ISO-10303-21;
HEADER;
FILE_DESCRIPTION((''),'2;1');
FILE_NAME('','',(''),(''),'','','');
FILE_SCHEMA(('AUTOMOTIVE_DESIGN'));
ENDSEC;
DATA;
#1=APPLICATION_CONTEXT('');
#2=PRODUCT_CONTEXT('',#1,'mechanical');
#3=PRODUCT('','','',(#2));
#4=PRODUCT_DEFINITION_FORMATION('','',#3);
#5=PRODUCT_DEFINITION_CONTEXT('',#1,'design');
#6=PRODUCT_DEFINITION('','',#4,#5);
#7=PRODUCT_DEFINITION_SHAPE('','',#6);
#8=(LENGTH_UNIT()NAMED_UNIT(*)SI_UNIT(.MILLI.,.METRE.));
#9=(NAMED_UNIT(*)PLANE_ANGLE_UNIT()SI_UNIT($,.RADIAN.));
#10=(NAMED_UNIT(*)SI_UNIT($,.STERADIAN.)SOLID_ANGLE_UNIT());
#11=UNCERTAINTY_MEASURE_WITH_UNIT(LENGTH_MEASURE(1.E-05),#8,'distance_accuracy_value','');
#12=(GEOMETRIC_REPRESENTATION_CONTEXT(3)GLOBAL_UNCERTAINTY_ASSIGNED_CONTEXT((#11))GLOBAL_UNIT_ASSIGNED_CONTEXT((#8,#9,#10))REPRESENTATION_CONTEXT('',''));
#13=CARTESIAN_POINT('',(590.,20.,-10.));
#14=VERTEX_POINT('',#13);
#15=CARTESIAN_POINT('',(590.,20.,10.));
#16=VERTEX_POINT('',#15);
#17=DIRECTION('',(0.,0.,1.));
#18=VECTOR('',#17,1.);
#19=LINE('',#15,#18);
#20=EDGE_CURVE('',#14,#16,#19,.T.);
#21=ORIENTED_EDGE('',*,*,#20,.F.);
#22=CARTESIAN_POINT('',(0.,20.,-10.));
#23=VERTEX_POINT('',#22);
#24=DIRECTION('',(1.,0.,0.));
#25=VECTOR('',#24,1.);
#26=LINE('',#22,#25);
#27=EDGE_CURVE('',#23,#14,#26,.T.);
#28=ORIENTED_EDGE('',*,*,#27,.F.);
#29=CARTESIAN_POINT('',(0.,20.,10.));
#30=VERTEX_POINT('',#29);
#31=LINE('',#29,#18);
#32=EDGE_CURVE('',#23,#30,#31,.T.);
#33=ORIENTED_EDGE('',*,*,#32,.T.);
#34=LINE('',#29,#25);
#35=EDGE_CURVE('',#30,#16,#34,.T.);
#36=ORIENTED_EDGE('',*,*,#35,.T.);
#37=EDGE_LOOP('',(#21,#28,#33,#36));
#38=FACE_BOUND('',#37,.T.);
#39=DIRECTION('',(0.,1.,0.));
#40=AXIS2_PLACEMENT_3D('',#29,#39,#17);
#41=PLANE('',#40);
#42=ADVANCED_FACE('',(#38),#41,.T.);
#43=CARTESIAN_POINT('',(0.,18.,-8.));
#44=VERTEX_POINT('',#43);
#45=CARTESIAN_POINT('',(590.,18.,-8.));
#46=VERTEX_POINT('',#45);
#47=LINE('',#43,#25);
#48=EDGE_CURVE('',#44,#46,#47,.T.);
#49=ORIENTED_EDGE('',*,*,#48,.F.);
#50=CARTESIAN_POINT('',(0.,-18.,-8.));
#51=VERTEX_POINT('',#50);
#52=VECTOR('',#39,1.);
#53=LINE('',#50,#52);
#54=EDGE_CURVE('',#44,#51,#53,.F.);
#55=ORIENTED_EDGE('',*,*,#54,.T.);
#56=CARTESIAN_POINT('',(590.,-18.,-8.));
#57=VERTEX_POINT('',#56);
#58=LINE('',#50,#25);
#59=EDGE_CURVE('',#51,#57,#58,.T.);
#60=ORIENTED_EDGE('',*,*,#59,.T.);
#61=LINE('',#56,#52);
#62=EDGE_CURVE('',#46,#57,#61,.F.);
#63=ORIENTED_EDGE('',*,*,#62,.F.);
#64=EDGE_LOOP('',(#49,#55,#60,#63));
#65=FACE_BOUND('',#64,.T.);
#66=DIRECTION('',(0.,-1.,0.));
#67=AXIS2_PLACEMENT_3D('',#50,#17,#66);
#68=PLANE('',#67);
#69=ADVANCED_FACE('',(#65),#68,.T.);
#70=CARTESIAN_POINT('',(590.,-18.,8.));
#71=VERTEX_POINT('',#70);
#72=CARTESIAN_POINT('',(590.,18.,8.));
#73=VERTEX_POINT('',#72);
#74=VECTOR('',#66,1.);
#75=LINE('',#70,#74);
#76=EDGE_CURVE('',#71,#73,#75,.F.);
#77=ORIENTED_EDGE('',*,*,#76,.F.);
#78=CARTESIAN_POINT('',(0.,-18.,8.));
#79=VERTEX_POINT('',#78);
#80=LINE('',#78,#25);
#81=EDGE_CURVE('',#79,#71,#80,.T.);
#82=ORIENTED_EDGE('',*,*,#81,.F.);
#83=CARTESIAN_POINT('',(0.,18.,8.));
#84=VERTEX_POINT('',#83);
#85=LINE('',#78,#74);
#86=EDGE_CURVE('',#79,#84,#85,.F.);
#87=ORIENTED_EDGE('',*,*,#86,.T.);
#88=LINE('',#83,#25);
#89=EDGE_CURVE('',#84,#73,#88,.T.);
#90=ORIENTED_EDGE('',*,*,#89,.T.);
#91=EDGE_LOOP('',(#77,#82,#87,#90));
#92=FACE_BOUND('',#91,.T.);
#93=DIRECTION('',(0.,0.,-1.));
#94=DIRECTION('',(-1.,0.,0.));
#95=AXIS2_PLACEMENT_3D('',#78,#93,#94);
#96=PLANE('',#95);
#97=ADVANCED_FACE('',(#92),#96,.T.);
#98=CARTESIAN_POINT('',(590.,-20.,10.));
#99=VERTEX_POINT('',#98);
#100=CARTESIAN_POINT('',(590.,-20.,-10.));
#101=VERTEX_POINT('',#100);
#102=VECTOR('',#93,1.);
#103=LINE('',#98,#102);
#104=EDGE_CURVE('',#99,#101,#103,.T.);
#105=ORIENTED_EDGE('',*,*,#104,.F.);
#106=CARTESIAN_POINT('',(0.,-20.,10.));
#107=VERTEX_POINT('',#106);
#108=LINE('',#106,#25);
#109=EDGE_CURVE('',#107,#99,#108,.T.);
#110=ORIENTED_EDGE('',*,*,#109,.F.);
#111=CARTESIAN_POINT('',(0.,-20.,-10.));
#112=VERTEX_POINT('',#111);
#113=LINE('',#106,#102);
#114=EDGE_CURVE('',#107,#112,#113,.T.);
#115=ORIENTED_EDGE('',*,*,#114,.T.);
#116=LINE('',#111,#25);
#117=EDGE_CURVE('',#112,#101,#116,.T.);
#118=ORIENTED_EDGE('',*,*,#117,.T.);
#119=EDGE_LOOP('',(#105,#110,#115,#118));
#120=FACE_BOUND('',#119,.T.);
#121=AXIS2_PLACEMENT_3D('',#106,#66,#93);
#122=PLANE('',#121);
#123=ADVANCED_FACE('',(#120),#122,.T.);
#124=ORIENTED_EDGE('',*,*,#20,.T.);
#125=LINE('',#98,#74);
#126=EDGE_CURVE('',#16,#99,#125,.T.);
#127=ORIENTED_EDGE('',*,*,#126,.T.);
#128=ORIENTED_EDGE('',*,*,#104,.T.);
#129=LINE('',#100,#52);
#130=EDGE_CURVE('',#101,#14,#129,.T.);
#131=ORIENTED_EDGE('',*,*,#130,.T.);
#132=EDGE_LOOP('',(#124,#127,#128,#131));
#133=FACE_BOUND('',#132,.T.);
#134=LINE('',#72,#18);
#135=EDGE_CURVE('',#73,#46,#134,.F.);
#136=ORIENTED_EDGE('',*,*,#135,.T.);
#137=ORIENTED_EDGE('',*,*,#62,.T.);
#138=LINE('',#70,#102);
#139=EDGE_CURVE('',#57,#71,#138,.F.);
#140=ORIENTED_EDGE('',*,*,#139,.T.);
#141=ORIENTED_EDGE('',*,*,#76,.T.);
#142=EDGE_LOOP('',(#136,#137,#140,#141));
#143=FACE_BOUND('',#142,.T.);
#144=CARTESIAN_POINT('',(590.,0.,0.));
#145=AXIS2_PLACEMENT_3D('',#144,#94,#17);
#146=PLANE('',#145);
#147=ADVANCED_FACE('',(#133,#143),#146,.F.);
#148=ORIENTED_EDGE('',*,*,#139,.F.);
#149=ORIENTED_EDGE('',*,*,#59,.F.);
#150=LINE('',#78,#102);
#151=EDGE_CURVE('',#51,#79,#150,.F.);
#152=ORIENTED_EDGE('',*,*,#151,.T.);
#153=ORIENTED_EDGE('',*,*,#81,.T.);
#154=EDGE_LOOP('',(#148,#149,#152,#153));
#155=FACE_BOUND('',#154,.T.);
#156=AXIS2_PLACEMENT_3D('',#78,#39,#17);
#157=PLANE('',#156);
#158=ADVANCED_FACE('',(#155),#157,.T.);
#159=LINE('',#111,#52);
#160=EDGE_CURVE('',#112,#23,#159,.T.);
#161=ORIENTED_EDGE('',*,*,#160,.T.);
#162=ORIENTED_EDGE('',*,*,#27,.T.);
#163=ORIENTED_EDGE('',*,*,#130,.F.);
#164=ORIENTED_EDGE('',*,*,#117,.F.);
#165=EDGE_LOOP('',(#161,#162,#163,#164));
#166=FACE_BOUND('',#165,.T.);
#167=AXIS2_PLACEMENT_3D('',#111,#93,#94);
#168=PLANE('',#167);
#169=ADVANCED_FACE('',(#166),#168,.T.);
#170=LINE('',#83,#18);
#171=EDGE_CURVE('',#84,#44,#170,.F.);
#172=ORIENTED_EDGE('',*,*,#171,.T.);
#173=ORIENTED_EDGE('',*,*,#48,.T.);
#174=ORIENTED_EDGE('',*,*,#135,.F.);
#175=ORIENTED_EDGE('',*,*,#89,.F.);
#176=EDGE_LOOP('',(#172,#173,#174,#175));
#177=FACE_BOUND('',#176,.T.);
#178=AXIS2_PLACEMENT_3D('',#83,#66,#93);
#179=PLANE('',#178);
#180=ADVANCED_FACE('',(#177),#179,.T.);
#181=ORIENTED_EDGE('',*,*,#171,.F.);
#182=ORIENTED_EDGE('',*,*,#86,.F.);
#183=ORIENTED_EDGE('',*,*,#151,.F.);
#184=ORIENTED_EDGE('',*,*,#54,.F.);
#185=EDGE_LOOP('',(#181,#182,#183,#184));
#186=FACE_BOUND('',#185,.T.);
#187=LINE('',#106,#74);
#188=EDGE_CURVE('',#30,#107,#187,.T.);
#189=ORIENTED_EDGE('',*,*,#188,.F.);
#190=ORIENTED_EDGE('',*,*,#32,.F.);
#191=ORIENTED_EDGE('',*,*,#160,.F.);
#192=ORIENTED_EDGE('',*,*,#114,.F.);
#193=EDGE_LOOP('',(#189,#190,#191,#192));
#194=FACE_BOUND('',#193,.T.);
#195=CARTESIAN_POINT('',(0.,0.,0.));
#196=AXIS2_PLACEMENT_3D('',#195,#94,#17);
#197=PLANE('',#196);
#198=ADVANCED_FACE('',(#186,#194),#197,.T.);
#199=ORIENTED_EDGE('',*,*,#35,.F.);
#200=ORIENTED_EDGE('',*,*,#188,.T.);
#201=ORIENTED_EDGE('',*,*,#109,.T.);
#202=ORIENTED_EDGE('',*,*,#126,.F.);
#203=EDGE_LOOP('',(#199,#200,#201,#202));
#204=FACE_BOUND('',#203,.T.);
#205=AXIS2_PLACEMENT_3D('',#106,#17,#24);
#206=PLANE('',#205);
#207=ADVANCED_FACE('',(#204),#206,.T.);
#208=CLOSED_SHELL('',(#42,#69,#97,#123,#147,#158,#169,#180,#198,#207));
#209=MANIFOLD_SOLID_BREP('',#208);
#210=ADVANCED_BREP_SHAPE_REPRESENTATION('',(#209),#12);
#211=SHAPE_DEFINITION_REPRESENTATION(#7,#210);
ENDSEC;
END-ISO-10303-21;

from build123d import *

# Parameters (mm, degrees)
ESBO_O2_W   = 20
ESBO_O2_H   = 40
ESBO_O2_W_2 = 16
ESBO_O2_H_2 = 36


with BuildPart() as part:
    # Varredura1: sweep along a path in Esboço1
    with BuildLine(Plane(origin=(0, 0, 0), x_dir=(1, 0, 0), z_dir=(0, 1, 0))) as varredura1_path:
        Line((0, 0), (590, 0))
    # Esboço2 → Varredura1 (sweep)
    with BuildSketch(Plane(origin=(0, 0, 0), x_dir=(0, 0, -1), z_dir=(1, 0, 0))):
        Rectangle(ESBO_O2_W, ESBO_O2_H)
        Rectangle(ESBO_O2_W_2, ESBO_O2_H_2, mode=Mode.SUBTRACT)
    sweep(path=varredura1_path.line)


solid = part.part
